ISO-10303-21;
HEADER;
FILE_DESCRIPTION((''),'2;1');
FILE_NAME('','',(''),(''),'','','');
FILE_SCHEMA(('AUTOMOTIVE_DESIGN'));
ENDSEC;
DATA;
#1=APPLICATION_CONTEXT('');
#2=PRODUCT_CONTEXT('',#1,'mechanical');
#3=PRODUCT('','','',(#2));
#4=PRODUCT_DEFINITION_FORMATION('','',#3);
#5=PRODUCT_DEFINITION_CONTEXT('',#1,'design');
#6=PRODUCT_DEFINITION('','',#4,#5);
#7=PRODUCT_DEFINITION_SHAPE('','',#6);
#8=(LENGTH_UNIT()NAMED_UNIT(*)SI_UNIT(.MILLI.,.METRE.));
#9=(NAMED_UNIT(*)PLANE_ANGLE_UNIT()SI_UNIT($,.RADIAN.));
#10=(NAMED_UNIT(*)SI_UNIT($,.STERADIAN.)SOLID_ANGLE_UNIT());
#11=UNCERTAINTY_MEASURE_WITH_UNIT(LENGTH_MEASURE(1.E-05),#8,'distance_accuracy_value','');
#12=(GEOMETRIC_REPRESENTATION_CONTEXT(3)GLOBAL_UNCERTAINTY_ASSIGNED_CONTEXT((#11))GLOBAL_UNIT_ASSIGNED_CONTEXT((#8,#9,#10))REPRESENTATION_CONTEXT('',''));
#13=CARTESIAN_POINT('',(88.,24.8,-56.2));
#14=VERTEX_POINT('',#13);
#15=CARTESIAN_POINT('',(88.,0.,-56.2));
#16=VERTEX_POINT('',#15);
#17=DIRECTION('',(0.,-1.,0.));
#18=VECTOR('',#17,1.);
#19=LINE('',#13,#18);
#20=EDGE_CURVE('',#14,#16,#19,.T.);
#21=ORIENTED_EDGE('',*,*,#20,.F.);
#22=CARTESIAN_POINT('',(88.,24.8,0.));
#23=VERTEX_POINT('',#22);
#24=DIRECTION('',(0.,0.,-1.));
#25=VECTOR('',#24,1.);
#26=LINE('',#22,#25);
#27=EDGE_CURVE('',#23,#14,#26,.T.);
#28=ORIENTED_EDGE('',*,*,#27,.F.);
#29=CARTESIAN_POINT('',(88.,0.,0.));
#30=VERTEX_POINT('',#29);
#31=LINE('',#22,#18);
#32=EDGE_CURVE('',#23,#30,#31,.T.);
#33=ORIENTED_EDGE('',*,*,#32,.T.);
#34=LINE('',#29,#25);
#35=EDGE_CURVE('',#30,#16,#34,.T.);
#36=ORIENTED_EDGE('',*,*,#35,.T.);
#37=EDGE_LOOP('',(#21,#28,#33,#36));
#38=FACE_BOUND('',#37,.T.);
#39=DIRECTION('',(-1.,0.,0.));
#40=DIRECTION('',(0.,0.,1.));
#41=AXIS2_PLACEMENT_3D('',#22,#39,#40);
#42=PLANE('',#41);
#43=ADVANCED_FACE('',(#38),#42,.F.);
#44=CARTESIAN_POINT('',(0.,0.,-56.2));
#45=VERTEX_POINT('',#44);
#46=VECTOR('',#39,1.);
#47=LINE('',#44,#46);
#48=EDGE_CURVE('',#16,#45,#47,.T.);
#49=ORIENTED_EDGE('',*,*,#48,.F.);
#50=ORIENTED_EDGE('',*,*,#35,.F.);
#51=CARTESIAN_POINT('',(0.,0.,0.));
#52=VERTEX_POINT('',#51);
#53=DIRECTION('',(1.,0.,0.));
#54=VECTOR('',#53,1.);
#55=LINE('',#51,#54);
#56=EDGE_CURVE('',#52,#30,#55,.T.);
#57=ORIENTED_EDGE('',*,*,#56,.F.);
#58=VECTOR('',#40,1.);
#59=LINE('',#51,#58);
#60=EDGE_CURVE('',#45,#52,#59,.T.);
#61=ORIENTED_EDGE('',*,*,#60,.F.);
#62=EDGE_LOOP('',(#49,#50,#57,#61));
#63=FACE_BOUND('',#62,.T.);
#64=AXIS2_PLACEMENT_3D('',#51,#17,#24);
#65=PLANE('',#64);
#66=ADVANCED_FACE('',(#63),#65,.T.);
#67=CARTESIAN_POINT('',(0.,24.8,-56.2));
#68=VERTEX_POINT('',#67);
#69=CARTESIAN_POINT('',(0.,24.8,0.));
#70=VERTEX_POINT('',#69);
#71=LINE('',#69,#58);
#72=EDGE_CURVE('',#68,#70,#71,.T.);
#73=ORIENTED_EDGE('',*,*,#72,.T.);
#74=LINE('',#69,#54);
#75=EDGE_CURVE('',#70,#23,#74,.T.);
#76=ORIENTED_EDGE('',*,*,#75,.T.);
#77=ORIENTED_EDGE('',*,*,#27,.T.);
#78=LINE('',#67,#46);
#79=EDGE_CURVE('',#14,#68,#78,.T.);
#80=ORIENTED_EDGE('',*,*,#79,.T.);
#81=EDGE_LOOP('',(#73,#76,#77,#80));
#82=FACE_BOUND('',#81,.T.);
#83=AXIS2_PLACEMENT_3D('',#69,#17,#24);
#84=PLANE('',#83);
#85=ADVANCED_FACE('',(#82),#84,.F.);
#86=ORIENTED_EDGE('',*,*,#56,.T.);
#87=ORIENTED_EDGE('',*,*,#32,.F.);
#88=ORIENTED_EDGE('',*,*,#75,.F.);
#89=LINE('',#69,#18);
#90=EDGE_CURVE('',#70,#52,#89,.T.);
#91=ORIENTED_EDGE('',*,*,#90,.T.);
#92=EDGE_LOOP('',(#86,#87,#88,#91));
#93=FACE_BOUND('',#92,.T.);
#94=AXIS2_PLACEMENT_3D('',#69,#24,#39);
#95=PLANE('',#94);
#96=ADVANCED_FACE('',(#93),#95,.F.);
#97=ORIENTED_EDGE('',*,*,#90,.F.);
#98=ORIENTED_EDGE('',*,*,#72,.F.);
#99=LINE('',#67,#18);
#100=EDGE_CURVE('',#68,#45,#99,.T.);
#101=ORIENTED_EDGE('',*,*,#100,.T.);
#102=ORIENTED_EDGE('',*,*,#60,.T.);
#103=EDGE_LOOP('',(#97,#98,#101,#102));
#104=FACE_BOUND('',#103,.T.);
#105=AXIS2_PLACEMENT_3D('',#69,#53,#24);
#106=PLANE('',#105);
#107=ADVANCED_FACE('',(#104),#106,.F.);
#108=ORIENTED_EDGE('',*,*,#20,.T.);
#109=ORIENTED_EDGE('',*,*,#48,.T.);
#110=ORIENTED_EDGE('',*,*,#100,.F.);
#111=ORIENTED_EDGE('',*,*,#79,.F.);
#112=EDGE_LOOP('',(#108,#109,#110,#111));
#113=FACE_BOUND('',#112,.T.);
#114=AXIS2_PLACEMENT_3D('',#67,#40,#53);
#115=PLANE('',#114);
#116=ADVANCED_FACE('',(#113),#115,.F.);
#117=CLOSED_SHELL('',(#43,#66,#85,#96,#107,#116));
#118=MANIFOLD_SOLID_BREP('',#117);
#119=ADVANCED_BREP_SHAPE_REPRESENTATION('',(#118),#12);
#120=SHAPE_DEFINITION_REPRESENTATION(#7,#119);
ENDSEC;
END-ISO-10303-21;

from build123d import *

# Parameters (mm, degrees)
SKICA1_W                = 88
SKICA1_H                = 56.2
P_IDAT_VYSUNUT_M1_DEPTH = 24.8


with BuildPart() as part:
    # Skica1 → Přidat vysunutím1 (new body)
    with BuildSketch(Plane(origin=(0, 0, 0), x_dir=(1, 0, 0), z_dir=(0, 1, 0))):
        with Locations((44, 28.1)):
            Rectangle(SKICA1_W, SKICA1_H)
    extrude(amount=P_IDAT_VYSUNUT_M1_DEPTH)


solid = part.part
